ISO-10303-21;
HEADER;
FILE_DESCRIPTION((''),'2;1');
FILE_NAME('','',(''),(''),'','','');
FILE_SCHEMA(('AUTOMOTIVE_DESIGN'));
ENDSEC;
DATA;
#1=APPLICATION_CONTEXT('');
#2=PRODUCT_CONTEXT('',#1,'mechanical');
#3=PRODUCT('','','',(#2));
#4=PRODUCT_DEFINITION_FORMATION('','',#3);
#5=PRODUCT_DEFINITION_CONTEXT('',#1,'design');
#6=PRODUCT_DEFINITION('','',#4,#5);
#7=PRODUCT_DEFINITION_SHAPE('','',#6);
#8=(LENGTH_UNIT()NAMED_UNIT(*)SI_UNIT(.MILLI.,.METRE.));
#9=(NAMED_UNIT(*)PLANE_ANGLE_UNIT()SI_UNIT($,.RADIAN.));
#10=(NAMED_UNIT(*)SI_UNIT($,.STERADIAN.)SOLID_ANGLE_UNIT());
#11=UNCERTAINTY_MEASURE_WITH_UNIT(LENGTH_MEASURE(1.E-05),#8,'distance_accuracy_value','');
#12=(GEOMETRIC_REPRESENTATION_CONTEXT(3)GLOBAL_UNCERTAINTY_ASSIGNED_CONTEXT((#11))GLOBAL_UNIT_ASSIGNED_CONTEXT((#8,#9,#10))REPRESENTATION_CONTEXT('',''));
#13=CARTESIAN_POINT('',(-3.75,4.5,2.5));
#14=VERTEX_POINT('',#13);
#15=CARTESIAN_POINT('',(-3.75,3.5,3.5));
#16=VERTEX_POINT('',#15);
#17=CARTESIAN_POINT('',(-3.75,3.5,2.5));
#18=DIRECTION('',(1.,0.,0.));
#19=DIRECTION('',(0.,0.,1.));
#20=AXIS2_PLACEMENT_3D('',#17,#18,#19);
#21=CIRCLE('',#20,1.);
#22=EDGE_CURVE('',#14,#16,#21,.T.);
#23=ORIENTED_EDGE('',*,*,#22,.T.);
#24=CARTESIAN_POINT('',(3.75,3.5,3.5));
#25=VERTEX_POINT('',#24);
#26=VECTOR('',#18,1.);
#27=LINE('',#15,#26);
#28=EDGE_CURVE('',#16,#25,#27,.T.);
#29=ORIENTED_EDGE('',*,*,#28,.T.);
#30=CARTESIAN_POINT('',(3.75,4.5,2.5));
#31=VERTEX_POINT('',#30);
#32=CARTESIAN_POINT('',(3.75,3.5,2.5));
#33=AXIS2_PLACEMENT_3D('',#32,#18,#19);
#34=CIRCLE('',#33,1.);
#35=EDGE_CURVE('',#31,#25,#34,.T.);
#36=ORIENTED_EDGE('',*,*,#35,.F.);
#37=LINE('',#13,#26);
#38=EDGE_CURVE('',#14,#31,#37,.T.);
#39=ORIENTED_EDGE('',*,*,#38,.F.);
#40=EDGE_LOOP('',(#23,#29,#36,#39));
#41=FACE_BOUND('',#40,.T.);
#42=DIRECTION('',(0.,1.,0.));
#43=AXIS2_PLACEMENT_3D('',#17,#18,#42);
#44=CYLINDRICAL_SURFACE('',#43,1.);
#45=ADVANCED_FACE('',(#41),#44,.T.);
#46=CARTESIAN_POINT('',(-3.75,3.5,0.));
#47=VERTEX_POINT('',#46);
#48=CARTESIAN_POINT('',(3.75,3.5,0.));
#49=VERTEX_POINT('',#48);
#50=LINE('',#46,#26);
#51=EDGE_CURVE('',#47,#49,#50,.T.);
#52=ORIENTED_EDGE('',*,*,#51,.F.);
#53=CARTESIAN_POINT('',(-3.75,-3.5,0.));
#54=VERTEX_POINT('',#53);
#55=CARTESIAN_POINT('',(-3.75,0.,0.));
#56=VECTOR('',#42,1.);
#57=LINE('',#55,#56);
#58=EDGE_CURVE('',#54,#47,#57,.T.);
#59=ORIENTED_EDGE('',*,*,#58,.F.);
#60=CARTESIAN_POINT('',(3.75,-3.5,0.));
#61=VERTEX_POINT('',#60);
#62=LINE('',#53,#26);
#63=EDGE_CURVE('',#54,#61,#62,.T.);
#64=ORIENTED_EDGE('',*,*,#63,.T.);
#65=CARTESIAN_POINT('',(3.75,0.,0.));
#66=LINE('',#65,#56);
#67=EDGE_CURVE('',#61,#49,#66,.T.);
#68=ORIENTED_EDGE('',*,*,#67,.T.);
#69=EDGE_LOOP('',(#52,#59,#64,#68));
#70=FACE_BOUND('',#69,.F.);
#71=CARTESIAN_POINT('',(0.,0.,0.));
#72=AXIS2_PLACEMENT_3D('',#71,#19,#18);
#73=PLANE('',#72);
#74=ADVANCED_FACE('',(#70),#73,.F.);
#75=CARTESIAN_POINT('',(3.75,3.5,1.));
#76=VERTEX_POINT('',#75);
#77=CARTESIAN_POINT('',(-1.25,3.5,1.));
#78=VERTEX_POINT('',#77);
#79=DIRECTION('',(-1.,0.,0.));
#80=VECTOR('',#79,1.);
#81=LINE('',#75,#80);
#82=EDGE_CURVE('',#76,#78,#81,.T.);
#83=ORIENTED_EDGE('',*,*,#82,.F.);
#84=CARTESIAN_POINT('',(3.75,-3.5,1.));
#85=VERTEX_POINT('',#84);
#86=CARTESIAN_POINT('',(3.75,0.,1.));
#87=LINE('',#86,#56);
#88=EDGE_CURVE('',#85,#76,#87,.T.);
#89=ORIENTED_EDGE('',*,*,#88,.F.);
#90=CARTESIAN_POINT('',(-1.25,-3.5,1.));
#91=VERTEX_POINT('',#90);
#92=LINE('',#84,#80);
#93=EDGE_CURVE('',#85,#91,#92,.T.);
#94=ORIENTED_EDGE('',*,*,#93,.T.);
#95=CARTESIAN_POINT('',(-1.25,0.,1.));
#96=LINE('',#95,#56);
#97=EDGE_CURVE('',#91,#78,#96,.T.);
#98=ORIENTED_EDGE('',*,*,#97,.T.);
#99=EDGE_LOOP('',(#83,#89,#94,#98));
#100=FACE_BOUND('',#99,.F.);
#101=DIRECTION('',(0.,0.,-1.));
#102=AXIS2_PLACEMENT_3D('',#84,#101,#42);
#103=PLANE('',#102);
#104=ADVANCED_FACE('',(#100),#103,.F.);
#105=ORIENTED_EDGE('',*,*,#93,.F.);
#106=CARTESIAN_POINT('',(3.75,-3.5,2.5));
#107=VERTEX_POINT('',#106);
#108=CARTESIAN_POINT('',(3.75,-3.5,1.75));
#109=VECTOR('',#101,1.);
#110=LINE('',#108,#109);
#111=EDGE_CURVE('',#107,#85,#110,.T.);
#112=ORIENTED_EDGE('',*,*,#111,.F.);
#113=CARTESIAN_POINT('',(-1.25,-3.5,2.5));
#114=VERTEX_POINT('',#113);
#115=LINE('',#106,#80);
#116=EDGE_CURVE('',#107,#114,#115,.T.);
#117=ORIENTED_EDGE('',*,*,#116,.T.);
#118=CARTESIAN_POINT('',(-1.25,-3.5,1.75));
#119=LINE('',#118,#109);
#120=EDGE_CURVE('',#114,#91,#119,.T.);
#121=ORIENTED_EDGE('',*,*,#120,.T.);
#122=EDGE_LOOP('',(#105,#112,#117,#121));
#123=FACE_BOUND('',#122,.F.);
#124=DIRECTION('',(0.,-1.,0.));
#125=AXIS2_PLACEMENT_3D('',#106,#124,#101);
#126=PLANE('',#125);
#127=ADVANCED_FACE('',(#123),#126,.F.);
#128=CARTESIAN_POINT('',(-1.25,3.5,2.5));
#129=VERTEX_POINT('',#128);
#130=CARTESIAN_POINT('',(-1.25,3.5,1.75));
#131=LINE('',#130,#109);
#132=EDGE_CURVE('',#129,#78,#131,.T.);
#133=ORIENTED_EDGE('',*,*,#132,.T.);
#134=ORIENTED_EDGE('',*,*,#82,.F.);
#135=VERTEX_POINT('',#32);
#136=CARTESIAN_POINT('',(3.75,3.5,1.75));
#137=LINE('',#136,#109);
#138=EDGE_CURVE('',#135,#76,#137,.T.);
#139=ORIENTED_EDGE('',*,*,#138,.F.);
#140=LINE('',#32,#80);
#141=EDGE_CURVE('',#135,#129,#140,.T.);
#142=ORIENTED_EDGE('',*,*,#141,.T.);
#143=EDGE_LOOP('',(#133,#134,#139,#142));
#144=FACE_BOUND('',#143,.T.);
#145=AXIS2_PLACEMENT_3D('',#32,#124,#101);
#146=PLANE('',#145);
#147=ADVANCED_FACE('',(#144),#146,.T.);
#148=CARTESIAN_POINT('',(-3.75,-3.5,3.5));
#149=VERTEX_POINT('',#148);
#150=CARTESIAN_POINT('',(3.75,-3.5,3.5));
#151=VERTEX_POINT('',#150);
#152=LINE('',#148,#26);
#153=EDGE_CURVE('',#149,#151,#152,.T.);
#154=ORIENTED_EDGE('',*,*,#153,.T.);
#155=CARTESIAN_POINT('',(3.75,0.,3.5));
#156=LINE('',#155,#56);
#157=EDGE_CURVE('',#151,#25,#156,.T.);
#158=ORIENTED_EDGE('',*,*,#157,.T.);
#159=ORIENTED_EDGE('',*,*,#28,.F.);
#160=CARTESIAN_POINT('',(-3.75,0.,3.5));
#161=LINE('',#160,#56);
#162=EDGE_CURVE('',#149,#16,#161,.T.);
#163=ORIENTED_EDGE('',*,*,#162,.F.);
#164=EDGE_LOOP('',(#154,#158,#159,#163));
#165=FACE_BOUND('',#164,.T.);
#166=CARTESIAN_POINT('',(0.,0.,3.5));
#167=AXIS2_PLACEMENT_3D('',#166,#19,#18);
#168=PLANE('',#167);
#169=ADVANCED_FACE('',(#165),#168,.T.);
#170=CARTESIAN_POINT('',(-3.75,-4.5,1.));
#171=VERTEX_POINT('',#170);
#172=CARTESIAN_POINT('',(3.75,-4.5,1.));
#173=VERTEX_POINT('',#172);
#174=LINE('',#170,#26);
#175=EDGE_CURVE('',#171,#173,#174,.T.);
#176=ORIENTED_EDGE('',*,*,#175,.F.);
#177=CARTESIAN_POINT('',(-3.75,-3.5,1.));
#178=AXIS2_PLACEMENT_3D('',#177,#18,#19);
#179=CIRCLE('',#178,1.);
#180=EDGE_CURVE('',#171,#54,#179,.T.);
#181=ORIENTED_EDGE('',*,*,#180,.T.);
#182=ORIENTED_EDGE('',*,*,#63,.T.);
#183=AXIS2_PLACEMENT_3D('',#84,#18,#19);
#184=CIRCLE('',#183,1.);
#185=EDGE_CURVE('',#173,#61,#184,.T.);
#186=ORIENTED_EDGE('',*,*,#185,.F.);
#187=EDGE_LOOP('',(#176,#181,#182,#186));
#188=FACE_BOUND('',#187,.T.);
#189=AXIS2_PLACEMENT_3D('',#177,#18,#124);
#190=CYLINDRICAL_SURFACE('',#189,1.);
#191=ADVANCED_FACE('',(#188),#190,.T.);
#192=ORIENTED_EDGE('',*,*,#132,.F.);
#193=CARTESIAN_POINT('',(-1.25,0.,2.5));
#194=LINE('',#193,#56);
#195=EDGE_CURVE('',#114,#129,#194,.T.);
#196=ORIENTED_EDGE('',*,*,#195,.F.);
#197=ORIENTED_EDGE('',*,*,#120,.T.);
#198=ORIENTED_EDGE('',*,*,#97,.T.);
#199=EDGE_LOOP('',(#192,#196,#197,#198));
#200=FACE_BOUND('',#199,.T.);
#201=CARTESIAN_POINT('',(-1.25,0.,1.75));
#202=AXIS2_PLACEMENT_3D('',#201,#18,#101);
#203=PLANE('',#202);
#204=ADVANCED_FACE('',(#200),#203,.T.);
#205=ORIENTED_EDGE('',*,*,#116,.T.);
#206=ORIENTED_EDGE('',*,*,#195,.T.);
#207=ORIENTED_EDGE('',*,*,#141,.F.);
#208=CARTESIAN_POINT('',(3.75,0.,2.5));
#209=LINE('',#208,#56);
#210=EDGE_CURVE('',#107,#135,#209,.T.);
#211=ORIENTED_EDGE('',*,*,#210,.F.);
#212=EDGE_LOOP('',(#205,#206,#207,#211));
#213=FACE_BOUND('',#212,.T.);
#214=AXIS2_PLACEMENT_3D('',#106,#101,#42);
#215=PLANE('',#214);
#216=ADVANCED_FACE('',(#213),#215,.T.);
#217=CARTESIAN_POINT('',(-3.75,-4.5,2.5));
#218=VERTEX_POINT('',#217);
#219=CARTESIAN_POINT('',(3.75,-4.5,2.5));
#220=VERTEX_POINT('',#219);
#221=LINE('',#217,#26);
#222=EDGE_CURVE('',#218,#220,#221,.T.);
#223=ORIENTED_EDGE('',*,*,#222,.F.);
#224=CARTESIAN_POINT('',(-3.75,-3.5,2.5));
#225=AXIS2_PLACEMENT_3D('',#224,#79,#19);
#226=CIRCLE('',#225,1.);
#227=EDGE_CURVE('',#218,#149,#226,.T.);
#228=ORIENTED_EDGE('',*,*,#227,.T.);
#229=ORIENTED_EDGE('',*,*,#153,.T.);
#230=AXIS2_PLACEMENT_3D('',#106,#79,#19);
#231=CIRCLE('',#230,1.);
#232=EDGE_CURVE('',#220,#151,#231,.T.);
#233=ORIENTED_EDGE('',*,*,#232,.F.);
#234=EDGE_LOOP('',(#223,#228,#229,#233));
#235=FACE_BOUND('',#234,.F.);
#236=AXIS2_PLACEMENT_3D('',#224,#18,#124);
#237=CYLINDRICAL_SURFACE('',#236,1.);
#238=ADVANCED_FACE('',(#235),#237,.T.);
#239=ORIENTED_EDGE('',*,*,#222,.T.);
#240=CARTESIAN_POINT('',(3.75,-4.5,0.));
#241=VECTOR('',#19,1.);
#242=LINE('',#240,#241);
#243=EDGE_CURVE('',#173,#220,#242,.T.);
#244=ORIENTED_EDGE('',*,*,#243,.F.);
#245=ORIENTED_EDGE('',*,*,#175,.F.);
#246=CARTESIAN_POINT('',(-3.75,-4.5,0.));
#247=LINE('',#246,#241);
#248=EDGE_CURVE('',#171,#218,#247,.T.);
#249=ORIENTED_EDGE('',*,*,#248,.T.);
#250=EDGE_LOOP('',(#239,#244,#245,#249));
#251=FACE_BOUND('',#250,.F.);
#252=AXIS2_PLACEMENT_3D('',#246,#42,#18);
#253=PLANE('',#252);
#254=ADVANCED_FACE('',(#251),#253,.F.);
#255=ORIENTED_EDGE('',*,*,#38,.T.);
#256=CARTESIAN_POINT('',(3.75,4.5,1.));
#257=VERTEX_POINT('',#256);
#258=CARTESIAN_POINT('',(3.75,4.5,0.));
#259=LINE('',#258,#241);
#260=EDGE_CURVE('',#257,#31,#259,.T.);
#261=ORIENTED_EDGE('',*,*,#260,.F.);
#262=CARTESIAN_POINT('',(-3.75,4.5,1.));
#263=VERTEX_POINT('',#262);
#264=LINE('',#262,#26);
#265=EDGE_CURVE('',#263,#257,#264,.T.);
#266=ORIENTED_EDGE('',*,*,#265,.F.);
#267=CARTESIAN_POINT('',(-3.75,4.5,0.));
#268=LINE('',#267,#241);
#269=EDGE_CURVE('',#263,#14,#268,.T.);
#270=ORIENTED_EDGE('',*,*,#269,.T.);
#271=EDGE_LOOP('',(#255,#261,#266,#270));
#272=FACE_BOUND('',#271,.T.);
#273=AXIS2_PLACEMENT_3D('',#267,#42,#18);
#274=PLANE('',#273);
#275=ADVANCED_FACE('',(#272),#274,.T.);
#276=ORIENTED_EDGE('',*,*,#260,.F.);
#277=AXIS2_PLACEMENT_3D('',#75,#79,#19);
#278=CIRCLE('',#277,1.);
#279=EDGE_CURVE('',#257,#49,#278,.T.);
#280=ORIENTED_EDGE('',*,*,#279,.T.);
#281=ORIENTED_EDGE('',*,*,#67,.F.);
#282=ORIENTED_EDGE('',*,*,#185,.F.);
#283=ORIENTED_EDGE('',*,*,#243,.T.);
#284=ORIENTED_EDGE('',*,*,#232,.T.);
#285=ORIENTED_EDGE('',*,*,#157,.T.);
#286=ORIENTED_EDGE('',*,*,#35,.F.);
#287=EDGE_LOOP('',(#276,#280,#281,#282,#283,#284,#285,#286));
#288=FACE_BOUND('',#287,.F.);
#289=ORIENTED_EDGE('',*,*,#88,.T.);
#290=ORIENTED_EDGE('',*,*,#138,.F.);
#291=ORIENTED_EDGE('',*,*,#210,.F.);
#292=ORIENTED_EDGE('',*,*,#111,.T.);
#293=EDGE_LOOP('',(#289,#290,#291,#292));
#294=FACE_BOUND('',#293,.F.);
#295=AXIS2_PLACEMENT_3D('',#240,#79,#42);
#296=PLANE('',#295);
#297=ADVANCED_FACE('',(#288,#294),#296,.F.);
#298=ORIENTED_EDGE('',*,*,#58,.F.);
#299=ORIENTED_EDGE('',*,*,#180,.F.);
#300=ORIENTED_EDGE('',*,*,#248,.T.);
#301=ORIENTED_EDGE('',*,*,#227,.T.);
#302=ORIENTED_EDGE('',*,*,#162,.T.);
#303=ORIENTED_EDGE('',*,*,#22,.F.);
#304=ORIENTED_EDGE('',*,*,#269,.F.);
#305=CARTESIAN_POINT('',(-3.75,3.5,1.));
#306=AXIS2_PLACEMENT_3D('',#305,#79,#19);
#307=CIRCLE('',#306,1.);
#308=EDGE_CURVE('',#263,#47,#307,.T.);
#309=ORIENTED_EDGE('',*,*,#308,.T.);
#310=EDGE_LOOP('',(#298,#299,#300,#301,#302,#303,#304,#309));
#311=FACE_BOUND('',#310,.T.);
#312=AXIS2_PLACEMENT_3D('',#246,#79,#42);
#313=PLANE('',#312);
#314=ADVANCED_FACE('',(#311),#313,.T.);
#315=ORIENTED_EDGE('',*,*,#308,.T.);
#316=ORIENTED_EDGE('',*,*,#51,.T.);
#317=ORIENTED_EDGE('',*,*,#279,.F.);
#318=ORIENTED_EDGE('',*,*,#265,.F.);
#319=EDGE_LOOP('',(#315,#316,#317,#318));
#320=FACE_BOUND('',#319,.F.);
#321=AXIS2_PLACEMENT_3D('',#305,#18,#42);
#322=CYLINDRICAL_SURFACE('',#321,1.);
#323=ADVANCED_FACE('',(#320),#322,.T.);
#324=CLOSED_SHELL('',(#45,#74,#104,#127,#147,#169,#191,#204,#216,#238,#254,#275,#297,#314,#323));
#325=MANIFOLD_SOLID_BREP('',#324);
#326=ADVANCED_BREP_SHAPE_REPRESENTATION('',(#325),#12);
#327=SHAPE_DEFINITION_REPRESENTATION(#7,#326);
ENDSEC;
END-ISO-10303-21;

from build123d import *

# Parameters (mm, degrees)
SKICA1_W                 = 7.5
SKICA1_H                 = 9
P_IDAT_VYSUNUT_M1_DEPTH  = 3.5
ZAOBLIT1_R               = 1
SKICA2_W                 = 1.5
SKICA2_H                 = 7
ODEBRAT_VYSUNUT_M1_DEPTH = 5


with BuildPart() as part:
    # Skica1 → Přidat vysunutím1 (new body)
    with BuildSketch(Plane.XY):
        Rectangle(SKICA1_W, SKICA1_H)
    extrude(amount=P_IDAT_VYSUNUT_M1_DEPTH)

    # Zaoblit1
    zaoblit1_edges = [part.edges().sort_by_distance(p)[0] for p in [
        (0, -4.5, 3.5),
        (0, -4.5, 0),
        (0, 4.5, 0),
        (0, 4.5, 3.5),
    ]]
    fillet(zaoblit1_edges, radius=ZAOBLIT1_R)

    # Skica2 → Odebrat vysunutím1 (cut)
    with BuildSketch(Plane(origin=(3.75, 0, 0), x_dir=(0, 0, -1), z_dir=(1, 0, 0))):
        with Locations((-1.75, 0)):
            Rectangle(SKICA2_W, SKICA2_H)
    extrude(amount=-ODEBRAT_VYSUNUT_M1_DEPTH, mode=Mode.SUBTRACT)


solid = part.part
